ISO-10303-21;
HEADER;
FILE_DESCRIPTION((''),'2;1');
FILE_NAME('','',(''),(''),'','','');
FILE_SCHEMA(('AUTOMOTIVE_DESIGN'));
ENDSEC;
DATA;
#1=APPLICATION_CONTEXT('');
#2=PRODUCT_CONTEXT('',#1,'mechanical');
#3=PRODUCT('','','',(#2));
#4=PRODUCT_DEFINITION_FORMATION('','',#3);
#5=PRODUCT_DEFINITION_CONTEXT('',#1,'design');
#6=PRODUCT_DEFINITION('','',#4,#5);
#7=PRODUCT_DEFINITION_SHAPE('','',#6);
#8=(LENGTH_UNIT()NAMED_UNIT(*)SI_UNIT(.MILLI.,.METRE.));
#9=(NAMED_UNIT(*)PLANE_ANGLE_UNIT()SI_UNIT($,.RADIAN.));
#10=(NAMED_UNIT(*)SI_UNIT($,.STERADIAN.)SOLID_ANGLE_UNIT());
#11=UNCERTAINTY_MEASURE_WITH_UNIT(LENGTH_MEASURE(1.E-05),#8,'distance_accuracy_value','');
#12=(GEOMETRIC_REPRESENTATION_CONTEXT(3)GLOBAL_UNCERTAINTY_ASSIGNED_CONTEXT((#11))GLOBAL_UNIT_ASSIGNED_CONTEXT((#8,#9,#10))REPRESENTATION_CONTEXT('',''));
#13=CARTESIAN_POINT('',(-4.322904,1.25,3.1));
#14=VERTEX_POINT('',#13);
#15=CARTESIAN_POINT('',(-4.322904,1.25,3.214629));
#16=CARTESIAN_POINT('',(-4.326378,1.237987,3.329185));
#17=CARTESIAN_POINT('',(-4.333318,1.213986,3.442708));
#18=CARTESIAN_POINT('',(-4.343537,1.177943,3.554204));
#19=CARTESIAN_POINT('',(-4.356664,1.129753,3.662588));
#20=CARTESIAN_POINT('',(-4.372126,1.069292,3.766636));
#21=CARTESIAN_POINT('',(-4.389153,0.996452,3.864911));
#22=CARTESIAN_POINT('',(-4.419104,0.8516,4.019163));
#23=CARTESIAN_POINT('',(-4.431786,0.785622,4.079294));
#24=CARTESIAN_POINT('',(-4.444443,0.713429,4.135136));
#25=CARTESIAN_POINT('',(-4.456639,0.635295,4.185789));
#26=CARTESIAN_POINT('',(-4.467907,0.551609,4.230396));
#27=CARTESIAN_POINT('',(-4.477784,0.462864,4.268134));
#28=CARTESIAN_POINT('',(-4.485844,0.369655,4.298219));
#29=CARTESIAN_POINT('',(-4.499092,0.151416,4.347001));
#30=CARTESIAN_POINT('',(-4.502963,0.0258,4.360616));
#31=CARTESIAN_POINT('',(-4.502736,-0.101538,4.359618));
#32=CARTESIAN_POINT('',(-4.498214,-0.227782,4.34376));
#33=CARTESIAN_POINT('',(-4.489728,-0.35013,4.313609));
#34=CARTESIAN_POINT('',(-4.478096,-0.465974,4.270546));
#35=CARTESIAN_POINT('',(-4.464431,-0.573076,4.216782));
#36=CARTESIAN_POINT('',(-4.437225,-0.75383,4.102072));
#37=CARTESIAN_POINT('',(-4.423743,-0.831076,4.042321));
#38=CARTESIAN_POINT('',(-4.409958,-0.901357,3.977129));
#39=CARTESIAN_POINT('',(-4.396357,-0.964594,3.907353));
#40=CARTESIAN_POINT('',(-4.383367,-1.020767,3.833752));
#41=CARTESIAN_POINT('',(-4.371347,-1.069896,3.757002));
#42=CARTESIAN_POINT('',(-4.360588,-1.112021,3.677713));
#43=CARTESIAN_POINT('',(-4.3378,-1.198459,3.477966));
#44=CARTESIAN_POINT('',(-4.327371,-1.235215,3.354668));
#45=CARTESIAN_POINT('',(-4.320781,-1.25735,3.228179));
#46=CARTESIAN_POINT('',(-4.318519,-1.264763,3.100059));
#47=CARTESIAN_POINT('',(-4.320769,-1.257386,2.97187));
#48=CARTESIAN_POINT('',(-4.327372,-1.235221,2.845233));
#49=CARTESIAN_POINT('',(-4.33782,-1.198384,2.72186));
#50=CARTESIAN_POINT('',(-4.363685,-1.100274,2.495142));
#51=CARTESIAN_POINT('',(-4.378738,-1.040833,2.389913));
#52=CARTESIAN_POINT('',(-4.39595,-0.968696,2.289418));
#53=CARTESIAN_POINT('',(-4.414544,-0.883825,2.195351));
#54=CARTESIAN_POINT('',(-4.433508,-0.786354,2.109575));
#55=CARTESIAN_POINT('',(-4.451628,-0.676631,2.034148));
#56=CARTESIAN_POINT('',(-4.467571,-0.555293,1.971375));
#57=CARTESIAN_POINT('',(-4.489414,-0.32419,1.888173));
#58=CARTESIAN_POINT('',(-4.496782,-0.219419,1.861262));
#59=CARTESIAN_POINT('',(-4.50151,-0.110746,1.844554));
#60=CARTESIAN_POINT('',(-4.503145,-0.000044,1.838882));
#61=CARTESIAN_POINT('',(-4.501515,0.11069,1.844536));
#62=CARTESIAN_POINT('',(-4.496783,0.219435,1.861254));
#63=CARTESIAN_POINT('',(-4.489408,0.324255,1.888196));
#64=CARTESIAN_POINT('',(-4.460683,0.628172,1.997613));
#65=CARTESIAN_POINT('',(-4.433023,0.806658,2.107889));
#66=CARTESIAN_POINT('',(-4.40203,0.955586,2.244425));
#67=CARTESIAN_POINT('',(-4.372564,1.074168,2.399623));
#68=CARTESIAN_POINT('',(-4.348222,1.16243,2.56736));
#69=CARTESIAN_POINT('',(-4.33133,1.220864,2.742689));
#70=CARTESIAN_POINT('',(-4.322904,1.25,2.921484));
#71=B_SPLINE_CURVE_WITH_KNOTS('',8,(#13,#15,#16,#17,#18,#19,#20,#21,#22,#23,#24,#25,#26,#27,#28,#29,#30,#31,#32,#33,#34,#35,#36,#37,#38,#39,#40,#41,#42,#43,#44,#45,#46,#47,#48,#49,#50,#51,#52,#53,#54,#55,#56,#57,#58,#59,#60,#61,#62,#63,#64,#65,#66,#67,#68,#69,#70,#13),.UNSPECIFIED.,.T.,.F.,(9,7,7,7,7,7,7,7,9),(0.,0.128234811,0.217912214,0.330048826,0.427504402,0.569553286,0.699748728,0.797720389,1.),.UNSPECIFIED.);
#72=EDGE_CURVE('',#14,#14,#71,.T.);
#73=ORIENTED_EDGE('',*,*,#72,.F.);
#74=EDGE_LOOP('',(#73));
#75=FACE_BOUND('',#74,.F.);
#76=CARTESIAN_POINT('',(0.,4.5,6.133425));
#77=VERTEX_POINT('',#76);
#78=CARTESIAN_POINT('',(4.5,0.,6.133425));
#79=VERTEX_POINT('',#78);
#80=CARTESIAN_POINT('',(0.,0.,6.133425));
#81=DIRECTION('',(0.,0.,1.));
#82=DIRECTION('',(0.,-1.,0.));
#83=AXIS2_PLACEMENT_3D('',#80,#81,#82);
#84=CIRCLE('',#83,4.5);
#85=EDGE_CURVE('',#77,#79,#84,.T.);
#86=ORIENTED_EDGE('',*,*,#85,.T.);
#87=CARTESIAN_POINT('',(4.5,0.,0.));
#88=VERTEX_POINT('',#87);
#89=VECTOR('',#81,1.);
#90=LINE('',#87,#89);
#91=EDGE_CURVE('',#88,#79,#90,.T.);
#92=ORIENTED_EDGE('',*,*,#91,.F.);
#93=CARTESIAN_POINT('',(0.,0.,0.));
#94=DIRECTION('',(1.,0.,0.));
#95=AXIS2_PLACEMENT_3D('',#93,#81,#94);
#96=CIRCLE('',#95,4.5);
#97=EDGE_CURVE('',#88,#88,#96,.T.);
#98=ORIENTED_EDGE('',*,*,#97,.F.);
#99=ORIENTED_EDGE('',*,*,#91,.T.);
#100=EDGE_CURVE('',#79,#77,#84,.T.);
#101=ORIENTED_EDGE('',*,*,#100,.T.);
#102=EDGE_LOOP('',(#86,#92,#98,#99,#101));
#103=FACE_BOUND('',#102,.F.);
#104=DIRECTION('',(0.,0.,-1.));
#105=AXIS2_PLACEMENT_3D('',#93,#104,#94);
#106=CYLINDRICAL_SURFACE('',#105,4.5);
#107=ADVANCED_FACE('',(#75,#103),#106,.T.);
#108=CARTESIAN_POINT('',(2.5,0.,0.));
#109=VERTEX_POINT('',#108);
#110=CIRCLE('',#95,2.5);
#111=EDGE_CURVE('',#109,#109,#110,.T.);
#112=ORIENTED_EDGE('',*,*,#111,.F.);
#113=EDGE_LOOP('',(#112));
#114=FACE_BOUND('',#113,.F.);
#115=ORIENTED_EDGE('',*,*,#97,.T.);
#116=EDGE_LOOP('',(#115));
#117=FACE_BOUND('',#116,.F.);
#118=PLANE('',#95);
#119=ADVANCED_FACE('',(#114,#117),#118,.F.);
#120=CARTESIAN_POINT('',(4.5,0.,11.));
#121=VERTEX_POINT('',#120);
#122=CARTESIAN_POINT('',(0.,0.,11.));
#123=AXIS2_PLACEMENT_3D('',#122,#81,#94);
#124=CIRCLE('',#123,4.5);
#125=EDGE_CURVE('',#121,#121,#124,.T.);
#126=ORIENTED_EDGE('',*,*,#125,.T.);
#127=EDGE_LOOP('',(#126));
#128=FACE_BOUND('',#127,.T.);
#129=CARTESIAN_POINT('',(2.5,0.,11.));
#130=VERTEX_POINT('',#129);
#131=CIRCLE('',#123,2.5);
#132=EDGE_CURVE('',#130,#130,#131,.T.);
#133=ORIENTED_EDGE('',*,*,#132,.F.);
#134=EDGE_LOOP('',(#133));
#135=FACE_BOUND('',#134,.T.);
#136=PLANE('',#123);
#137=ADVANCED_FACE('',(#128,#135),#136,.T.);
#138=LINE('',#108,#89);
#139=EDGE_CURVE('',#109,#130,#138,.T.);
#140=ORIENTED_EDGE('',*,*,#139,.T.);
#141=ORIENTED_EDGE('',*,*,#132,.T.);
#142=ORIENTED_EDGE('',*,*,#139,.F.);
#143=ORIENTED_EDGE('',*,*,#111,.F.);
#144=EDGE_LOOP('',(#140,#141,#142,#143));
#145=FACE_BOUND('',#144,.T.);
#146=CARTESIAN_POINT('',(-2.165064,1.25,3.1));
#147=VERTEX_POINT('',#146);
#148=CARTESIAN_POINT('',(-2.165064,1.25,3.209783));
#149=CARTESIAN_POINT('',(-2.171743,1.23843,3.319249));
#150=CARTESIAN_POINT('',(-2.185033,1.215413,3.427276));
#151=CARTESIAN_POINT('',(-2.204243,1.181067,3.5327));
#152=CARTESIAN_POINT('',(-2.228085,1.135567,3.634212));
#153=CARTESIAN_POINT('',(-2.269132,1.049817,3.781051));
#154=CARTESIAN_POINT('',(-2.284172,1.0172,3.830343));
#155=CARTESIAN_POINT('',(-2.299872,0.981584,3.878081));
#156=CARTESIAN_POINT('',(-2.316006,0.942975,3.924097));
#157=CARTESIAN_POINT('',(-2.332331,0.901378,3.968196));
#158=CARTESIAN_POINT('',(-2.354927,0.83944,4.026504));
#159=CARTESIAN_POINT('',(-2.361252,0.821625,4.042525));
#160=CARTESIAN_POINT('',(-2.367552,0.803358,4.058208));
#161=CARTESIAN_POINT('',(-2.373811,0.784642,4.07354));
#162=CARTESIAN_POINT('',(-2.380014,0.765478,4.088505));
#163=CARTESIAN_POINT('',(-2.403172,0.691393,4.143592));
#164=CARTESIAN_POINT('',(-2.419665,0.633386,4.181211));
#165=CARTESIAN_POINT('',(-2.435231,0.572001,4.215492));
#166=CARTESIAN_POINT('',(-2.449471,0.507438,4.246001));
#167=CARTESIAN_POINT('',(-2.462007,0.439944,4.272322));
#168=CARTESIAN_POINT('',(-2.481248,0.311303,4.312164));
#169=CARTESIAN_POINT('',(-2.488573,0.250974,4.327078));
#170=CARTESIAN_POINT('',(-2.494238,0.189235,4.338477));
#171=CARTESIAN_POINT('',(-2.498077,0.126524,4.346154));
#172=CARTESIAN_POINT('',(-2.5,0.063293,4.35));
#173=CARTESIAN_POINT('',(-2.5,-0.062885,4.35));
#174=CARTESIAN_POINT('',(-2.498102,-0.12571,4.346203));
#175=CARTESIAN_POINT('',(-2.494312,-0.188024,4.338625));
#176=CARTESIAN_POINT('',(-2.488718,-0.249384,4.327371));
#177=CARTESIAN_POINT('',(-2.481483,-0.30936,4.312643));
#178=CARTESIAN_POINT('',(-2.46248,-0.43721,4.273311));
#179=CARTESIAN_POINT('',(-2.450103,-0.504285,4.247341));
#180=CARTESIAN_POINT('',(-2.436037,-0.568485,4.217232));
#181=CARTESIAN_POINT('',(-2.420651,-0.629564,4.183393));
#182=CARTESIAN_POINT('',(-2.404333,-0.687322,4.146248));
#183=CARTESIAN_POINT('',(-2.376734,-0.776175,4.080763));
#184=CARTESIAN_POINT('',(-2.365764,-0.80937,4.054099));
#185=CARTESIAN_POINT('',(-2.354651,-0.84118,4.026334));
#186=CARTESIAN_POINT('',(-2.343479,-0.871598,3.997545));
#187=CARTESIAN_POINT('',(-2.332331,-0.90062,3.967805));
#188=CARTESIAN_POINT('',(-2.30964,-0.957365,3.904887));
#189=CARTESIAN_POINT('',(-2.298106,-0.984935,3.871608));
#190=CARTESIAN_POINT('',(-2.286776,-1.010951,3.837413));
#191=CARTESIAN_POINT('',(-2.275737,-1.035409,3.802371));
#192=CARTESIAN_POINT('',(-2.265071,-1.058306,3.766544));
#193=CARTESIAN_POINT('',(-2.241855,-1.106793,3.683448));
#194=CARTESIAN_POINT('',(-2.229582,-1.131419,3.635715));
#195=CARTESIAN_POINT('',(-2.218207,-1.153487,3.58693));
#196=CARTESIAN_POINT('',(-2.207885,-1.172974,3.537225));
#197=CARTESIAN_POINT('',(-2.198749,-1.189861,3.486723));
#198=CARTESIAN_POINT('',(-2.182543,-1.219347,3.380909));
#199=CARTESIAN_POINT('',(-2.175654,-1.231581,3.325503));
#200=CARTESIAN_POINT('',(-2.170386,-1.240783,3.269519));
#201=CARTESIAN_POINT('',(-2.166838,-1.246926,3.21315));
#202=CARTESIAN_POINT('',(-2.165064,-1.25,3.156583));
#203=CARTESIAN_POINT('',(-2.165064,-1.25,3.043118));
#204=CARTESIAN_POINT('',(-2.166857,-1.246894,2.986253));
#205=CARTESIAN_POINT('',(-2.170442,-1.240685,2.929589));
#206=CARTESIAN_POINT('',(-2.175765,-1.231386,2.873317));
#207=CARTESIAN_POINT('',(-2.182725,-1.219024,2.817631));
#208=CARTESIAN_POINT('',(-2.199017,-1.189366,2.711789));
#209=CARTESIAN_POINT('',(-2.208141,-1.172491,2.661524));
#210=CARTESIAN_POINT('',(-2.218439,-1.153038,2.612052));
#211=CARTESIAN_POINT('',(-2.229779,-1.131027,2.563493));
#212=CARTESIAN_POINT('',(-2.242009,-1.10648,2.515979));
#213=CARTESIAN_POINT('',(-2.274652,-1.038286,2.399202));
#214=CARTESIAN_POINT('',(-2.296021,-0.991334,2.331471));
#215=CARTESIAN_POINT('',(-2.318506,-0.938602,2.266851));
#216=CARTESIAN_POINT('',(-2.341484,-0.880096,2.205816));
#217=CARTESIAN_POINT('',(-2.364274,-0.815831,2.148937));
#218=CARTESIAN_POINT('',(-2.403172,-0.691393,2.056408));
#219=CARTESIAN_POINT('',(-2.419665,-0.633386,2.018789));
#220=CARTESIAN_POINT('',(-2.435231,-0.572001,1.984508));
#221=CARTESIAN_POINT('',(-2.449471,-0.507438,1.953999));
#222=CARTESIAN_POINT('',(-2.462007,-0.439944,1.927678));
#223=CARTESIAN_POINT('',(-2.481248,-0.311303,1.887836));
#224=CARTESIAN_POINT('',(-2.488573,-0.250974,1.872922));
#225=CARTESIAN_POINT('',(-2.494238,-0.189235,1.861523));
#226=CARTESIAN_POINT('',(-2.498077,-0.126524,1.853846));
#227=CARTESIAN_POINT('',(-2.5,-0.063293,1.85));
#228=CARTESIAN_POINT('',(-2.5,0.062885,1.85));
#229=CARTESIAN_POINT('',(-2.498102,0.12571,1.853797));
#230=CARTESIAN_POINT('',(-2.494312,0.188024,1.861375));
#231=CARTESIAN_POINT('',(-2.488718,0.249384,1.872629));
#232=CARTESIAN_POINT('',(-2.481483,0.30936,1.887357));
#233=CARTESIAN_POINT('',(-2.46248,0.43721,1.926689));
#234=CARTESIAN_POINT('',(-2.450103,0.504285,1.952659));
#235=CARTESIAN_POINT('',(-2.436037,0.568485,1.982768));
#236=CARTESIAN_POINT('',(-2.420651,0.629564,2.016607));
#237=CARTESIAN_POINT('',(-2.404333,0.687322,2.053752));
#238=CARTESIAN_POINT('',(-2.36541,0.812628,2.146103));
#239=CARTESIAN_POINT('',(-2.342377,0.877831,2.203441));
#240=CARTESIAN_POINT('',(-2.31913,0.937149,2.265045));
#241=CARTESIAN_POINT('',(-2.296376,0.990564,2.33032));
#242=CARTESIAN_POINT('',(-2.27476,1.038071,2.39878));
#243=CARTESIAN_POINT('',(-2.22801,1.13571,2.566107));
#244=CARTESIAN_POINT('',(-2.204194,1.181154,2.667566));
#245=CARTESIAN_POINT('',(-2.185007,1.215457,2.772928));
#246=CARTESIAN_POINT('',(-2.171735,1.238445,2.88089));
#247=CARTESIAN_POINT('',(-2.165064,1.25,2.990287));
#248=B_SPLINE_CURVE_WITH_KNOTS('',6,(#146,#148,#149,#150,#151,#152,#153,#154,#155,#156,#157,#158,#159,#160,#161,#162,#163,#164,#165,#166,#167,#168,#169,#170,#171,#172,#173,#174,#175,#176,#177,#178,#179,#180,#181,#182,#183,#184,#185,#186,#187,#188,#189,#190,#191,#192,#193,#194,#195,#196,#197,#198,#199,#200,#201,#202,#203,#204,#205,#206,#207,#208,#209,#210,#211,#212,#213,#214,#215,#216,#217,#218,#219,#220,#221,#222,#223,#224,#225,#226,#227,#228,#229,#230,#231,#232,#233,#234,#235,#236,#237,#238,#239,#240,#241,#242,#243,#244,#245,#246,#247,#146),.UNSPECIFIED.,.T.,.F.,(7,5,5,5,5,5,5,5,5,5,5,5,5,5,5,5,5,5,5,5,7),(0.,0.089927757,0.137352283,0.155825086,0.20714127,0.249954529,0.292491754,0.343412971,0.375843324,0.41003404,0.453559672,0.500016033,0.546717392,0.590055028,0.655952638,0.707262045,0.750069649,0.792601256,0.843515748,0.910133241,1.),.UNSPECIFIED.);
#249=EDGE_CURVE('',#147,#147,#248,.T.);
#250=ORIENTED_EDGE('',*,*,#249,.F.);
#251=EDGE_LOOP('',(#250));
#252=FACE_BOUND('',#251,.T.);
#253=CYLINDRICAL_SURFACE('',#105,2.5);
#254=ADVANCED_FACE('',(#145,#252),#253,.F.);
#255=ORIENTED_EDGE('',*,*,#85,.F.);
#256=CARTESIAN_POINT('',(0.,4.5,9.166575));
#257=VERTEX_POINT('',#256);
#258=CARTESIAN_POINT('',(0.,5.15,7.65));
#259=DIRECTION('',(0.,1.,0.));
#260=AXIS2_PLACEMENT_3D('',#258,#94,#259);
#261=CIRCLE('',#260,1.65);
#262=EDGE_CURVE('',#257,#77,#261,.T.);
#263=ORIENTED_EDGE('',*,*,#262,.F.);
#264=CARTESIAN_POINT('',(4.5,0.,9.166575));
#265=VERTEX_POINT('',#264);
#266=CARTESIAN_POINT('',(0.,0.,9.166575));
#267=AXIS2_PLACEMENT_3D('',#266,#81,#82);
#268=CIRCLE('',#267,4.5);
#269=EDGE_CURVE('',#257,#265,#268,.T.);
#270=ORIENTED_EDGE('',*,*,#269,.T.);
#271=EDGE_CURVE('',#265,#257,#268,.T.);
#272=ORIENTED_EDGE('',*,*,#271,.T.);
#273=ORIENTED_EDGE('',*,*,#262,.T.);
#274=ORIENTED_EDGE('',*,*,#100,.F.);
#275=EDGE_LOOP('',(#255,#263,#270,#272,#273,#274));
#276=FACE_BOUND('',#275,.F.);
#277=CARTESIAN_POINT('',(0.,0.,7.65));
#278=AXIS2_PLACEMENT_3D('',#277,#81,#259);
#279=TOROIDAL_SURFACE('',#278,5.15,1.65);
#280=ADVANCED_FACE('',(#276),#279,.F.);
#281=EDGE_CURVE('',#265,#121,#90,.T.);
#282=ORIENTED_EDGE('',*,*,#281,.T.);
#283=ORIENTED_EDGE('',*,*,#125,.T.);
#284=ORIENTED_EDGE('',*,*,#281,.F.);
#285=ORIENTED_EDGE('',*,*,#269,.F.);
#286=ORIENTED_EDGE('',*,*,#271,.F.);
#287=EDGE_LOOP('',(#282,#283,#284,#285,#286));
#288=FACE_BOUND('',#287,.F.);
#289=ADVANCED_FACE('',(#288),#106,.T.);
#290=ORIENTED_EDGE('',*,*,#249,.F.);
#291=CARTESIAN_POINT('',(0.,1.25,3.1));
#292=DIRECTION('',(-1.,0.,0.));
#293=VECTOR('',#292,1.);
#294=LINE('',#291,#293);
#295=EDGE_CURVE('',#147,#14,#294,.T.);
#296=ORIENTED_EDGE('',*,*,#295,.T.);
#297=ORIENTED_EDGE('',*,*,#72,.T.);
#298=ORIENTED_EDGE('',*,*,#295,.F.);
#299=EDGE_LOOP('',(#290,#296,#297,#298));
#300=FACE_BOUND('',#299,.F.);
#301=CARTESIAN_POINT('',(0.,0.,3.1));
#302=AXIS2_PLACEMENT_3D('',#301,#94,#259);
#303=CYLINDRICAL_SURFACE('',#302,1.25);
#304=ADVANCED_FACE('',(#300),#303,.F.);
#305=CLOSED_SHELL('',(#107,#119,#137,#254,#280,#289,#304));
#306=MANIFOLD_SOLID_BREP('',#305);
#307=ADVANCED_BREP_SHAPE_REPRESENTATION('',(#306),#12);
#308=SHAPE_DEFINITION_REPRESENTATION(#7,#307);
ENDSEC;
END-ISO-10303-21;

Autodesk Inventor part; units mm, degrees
ref_plane "YZ Plane" through (0, 0, 0) normal (1, 0, 0) x (0, 1, 0)
ref_plane "XZ Plane" through (0, 0, 0) normal (0, 1, 0) x (-1, 0, 0)
ref_plane "XY Plane" through (0, 0, 0) normal (0, 0, 1) x (1, 0, 0)
sketch "Sketch1" plane through (0, 0, 0) normal (0, 0, 1) x (1, 0, 0)
  circle A0 centre (0, 0) radius 4.5
  circle A1 centre (0, 0) radius 2.5
  dimension "d0" = 9
  dimension "d1" = 5
extrude "Extrusion1" add sketch "Sketch1" along normal blind 11
sketch "Sketch2" plane through (0, 0, 0) normal (1, 0, 0) x (0, 1, 0)
  circle A0 centre (5.15, 7.65) radius 1.65
  line L0 (-4.5, 0) -> (4.5, 0) projected
  line L1 (0, 0) -> (0, 16.0894)
  dimension "d7" = 7.65
  dimension "d8" = 5.15
  dimension "d9" = 3.3
revolve "Revolution1" cut sketch "Sketch2" angle 360 about axis through (0, 0, 0) along (0, 0, 1)
sketch "Sketch3" plane through (0, 0, 0) normal (1, 0, 0) x (0, 1, 0)
  circle A0 centre (0, 3.1) radius 1.25
  point P0 (0, 0)
  dimension "d11" = 2.5
  dimension "d12" = 3.1
extrude "Extrusion2" cut sketch "Sketch3" against normal blind 11
thread "Thread1" size "M2.5x0.45" class "6H" standard "ANSI Metric M Profile" full length
properties part number "MK8_Drive_Gear"
